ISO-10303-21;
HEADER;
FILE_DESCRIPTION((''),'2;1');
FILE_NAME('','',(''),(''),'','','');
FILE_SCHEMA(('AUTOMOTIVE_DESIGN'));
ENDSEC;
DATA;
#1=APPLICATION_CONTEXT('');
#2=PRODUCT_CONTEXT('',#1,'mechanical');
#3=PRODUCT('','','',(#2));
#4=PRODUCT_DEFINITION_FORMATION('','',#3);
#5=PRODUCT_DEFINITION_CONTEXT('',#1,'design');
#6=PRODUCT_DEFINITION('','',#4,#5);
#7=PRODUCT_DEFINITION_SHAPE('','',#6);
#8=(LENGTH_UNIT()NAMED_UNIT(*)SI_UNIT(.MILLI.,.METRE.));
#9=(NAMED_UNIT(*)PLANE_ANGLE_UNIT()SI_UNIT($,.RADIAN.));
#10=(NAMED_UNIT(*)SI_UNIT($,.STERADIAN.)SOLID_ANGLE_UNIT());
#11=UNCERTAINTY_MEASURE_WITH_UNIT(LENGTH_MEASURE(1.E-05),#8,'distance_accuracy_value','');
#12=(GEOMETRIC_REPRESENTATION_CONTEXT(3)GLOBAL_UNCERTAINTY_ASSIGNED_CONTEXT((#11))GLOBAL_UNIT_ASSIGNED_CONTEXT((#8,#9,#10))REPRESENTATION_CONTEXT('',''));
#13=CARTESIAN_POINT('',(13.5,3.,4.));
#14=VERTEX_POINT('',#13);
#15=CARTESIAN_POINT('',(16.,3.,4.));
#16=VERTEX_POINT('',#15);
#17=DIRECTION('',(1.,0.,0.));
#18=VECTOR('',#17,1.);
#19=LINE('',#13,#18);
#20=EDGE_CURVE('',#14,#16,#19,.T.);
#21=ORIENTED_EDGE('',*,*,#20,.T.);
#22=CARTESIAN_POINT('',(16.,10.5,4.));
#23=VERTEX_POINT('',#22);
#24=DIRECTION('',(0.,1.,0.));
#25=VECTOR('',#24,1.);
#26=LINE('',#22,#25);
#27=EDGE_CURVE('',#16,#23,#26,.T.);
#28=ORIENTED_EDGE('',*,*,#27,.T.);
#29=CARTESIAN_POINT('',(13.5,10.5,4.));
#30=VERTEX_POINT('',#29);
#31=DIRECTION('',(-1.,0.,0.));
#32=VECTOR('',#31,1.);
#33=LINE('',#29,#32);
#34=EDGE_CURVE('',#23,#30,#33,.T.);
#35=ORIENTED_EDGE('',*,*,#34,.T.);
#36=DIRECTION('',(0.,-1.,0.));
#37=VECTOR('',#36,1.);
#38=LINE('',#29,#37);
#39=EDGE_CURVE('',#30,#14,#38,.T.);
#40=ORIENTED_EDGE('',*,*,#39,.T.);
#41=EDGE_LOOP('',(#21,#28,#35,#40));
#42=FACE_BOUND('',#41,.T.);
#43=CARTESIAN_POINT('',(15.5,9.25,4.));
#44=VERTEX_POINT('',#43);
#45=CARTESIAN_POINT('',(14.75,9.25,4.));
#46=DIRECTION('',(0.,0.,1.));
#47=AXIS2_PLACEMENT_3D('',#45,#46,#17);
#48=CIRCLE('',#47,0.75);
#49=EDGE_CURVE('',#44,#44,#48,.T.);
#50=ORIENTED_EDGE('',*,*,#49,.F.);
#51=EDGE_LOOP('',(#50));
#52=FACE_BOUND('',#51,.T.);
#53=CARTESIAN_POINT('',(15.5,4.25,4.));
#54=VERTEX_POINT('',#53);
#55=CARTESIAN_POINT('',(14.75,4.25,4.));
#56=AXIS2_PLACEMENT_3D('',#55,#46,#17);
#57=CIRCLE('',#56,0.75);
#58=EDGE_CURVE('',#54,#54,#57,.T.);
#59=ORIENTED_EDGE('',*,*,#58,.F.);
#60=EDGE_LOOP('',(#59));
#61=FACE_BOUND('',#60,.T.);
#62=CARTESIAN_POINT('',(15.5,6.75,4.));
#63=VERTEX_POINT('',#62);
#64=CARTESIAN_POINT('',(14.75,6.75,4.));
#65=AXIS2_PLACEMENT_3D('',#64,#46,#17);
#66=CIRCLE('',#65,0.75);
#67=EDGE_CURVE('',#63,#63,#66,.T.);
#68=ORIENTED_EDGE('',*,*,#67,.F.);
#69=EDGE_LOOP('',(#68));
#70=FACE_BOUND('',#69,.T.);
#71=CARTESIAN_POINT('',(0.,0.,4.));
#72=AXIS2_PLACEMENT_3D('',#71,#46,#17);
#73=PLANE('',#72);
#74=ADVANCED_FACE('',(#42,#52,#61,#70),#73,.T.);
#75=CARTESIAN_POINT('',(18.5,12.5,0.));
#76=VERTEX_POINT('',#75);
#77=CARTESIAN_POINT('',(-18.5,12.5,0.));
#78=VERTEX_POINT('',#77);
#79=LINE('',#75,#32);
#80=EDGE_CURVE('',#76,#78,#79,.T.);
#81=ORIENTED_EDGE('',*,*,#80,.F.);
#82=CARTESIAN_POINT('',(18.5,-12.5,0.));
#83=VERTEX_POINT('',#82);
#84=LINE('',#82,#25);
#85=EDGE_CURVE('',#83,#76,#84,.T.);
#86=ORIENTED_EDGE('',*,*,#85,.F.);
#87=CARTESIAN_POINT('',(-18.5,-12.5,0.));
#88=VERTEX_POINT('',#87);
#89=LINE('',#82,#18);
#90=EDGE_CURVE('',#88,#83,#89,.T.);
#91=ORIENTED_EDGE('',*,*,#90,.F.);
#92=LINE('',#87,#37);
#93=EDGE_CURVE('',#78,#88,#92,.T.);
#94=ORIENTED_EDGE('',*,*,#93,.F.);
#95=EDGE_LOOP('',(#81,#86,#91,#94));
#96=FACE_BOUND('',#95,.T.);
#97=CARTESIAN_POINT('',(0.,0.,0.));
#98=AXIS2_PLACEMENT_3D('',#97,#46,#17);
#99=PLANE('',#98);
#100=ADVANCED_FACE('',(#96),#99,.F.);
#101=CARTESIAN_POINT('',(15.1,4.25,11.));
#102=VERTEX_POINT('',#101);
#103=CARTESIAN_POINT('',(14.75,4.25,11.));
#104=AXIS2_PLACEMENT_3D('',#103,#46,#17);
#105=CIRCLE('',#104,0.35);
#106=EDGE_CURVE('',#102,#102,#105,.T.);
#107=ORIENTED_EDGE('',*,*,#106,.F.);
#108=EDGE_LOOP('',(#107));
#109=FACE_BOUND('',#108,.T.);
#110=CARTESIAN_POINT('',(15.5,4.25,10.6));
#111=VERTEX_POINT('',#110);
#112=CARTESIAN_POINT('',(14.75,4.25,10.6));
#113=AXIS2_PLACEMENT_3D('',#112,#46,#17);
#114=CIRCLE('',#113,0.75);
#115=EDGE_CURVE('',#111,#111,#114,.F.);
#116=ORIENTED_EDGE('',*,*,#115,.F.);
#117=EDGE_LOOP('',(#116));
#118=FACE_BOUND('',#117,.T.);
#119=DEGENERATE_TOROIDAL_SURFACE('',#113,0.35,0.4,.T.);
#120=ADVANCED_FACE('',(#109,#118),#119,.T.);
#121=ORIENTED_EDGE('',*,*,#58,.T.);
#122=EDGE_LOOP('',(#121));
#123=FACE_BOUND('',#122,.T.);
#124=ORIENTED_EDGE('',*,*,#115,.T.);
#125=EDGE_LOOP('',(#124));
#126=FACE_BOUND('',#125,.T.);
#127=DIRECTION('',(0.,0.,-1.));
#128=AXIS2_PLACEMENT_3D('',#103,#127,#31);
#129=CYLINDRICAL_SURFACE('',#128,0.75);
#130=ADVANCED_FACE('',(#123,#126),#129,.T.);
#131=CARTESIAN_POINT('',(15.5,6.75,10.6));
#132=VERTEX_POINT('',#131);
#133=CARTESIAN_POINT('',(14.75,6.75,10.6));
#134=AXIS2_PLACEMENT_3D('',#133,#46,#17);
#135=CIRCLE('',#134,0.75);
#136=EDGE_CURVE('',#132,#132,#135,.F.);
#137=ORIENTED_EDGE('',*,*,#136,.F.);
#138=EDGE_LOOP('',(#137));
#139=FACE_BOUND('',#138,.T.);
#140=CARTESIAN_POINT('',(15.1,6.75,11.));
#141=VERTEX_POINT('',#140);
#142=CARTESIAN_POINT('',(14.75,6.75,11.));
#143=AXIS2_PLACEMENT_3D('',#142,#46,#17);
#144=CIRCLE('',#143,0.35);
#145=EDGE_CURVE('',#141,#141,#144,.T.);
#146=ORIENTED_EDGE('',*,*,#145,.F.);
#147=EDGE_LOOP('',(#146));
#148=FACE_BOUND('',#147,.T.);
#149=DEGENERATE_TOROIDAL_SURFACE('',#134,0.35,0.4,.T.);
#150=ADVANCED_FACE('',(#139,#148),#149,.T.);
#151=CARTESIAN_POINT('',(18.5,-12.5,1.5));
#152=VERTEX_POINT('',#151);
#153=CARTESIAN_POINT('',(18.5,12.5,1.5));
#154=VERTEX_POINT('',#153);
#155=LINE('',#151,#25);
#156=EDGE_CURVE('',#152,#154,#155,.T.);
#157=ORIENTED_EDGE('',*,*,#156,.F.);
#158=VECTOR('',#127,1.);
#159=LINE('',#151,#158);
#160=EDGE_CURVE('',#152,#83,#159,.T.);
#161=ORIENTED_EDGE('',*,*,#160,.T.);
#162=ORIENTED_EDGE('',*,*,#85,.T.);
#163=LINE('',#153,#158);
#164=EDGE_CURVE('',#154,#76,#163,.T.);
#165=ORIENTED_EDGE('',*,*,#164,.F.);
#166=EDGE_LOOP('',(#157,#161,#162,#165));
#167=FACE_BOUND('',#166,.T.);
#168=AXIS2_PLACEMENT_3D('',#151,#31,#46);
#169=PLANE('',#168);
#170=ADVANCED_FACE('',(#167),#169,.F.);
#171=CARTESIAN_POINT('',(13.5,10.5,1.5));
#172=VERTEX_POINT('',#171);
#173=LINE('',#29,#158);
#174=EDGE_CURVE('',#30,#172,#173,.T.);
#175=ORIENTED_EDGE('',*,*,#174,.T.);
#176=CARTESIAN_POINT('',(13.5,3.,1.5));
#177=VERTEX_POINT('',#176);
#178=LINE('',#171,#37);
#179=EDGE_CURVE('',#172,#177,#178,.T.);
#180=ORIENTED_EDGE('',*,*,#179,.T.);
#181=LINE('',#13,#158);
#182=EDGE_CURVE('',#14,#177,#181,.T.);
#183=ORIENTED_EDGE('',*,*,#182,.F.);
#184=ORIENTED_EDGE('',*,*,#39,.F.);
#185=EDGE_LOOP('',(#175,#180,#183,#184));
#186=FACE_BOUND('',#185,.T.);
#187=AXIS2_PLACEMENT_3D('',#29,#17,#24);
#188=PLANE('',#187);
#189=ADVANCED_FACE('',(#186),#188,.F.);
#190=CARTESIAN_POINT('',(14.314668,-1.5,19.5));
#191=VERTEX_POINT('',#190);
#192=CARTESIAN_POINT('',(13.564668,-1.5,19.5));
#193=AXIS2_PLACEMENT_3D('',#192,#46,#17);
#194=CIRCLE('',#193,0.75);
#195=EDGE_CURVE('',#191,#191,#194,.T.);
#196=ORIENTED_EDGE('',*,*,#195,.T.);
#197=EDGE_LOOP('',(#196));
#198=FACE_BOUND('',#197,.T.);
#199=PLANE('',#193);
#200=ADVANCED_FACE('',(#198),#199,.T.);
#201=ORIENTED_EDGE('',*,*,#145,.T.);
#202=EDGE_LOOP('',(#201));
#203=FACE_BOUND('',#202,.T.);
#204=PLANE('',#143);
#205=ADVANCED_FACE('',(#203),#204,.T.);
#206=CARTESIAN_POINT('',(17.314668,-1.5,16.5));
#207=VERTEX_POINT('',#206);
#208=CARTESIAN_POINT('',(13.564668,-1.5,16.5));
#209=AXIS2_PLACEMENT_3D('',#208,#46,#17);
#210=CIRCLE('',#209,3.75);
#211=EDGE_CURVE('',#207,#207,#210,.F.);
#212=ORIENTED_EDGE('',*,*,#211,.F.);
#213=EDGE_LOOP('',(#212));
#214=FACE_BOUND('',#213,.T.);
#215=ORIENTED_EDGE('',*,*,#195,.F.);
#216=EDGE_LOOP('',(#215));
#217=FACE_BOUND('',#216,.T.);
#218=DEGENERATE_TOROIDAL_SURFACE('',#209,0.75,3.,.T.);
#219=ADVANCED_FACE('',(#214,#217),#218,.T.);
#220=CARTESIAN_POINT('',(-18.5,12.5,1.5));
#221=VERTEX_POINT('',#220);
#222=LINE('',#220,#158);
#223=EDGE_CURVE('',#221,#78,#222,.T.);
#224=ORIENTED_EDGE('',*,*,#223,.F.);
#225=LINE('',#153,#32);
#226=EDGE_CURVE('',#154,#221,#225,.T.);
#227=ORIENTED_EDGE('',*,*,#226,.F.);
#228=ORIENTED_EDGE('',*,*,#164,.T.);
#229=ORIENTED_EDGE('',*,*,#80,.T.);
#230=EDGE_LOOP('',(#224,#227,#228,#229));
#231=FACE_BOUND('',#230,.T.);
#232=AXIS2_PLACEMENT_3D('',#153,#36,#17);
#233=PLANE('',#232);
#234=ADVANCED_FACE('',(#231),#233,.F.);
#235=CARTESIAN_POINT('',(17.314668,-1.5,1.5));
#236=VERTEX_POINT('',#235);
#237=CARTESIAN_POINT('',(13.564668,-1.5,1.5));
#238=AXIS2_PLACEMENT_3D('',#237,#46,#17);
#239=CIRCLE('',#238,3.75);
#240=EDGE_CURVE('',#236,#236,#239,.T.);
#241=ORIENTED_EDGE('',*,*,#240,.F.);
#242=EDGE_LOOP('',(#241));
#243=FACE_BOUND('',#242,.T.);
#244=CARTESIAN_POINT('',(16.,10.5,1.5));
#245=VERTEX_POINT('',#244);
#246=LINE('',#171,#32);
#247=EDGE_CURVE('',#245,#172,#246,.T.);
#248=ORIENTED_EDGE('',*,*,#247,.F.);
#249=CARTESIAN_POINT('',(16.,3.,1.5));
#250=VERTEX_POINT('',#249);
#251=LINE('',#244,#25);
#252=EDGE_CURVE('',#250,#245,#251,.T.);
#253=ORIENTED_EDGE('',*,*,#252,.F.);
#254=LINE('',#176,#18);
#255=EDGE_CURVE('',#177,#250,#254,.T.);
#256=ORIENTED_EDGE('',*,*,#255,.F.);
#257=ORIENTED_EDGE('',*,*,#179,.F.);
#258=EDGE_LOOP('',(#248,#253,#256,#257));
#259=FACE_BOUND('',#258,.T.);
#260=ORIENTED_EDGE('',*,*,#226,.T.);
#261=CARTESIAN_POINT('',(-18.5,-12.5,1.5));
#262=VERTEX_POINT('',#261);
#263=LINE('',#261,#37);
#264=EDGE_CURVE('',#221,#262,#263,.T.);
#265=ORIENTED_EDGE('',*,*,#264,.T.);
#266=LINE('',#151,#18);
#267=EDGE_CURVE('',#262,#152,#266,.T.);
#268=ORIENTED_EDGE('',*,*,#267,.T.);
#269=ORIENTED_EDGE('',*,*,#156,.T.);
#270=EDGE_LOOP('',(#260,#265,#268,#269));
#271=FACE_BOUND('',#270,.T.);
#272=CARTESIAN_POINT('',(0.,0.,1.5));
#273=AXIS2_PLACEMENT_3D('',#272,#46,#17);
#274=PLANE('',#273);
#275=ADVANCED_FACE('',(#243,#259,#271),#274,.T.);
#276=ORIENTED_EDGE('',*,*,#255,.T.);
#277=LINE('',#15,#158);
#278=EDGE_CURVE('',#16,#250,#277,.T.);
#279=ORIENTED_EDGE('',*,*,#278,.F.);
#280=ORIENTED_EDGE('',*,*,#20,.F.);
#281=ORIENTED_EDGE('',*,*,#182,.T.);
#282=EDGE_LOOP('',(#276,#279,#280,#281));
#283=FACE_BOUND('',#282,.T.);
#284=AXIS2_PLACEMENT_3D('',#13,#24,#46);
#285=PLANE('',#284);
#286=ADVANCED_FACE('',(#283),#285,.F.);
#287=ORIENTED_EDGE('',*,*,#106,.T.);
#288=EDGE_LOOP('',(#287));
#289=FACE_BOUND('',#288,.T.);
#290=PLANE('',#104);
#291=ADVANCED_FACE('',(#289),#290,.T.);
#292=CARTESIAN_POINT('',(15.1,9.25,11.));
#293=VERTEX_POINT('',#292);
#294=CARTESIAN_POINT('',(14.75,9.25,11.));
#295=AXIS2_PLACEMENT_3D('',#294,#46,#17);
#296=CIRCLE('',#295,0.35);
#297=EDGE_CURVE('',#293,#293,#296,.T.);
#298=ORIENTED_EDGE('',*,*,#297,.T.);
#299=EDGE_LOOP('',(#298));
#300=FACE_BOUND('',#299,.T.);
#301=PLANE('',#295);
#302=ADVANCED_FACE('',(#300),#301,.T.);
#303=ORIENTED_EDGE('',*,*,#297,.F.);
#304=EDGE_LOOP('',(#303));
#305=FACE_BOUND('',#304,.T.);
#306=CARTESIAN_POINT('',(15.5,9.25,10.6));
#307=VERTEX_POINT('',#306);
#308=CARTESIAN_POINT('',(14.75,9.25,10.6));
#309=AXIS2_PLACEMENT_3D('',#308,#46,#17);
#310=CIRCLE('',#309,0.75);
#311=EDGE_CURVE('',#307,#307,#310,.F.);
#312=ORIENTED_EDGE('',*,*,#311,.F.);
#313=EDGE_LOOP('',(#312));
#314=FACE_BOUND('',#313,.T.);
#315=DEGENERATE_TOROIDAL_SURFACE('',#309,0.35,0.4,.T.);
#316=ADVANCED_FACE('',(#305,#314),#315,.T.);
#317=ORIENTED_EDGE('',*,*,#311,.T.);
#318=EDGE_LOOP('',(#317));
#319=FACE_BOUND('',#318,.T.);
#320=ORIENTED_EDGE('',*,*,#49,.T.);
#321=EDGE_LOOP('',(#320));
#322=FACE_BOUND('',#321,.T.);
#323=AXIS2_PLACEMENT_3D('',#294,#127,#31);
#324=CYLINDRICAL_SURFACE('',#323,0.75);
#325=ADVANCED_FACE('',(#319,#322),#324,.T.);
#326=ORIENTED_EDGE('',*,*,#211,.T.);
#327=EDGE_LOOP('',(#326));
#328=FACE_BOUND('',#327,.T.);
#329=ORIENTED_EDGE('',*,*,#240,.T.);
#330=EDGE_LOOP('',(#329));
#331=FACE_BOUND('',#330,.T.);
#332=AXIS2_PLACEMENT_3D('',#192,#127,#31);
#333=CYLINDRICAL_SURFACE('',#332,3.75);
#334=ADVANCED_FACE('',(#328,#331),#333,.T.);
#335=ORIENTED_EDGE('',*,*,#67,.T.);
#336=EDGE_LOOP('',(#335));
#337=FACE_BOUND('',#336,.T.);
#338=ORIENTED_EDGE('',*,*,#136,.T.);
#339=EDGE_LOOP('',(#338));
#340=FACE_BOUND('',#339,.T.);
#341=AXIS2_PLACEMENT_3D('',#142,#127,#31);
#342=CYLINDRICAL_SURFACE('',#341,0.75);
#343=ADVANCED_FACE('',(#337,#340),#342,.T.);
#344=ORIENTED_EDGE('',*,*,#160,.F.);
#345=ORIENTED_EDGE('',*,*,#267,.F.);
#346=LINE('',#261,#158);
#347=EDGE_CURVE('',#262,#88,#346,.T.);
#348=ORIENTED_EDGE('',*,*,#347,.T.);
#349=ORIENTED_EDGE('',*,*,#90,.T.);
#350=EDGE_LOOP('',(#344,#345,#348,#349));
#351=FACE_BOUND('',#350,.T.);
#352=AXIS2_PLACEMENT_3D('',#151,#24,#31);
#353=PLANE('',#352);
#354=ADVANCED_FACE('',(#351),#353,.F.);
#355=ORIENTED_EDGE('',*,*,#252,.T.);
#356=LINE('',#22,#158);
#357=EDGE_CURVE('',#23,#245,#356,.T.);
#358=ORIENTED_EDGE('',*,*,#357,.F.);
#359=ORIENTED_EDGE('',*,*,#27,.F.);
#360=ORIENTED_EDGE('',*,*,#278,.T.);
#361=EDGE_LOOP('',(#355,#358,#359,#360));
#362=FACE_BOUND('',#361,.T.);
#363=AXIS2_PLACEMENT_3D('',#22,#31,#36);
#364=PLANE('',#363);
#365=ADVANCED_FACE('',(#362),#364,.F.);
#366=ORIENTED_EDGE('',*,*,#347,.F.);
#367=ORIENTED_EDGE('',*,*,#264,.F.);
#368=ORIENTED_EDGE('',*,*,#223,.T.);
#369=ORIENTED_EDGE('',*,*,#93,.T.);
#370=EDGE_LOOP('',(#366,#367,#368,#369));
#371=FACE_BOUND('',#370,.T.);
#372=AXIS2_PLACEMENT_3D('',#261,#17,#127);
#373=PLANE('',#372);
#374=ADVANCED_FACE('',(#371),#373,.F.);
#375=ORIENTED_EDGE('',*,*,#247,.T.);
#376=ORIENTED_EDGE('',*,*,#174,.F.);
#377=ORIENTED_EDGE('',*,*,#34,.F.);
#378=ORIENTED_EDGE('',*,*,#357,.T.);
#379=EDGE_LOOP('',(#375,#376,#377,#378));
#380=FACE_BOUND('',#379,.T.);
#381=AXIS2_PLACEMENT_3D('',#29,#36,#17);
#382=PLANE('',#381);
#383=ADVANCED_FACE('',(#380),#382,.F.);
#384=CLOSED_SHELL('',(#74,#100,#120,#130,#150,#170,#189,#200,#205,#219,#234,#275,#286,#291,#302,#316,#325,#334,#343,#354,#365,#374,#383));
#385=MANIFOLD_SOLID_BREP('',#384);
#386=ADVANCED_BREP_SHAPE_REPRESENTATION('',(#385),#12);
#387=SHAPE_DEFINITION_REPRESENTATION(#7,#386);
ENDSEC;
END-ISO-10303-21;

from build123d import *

# Parameters (mm, degrees)
SKIZZE1_W                       = 37
SKIZZE1_H                       = 25
AUFSATZ_LINEAR_AUSTRAGEN1_DEPTH = 1.5
SKIZZE3_R                       = 3.75
AUFSATZ_LINEAR_AUSTRAGEN2_DEPTH = 18
VERRUNDUNG1_R                   = 3
SKIZZE5_W                       = 2.5
SKIZZE5_H                       = 7.5
AUFSATZ_LINEAR_AUSTRAGEN3_DEPTH = 2.5
SKIZZE6_R                       = 0.75
AUFSATZ_LINEAR_AUSTRAGEN4_DEPTH = 7
LINEARES_MUSTER1_COUNT          = 3
LINEARES_MUSTER1_PITCH          = 2.5
VERRUNDUNG2_R                   = 0.4


with BuildPart() as part:
    # Skizze1 → Aufsatz-Linear austragen1 (new body)
    with BuildSketch(Plane.XY):
        Rectangle(SKIZZE1_W, SKIZZE1_H)
    extrude(amount=AUFSATZ_LINEAR_AUSTRAGEN1_DEPTH)

    # Skizze3 → Aufsatz-Linear austragen2 (add)
    with BuildSketch(Plane.XY.offset(1.5)):
        with Locations((13.564667913, -1.5)):
            Circle(SKIZZE3_R)
    extrude(amount=AUFSATZ_LINEAR_AUSTRAGEN2_DEPTH)

    # Verrundung1
    verrundung1_edges = [part.edges().sort_by_distance(p)[0] for p in [
        (9.814667913, -1.5, 19.5),
    ]]
    fillet(verrundung1_edges, radius=VERRUNDUNG1_R)



with BuildPart() as body_2:
    # Skizze5 → Aufsatz-Linear austragen3 (new body)
    with BuildSketch(Plane.XY.offset(1.5)):
        with Locations((14.75, 6.75)):
            Rectangle(SKIZZE5_W, SKIZZE5_H)
    extrude(amount=AUFSATZ_LINEAR_AUSTRAGEN3_DEPTH)


with BuildPart() as part_1:
    add(part.part)

    add(body_2.part)  # Aufsatz-Linear austragen4 merges body 2
    # Skizze6 → Aufsatz-Linear austragen4 (add)
    with BuildSketch(Plane.XY.offset(4)):
        with Locations((14.75, 9.25)):
            Circle(SKIZZE6_R)
    aufsatz_linear_austragen4 = extrude(amount=AUFSATZ_LINEAR_AUSTRAGEN4_DEPTH)

    # Lineares Muster1: Aufsatz-Linear austragen4 ×3
    with Locations(*[(0, -i * LINEARES_MUSTER1_PITCH, 0) for i in range(1, LINEARES_MUSTER1_COUNT)]):
        add(aufsatz_linear_austragen4)

    # Verrundung2
    verrundung2_edges = [part_1.edges().sort_by_distance(p)[0] for p in [
        (14, 9.25, 11),
        (14, 6.75, 11),
        (14, 4.25, 11),
    ]]
    fillet(verrundung2_edges, radius=VERRUNDUNG2_R)


solid = part_1.part
